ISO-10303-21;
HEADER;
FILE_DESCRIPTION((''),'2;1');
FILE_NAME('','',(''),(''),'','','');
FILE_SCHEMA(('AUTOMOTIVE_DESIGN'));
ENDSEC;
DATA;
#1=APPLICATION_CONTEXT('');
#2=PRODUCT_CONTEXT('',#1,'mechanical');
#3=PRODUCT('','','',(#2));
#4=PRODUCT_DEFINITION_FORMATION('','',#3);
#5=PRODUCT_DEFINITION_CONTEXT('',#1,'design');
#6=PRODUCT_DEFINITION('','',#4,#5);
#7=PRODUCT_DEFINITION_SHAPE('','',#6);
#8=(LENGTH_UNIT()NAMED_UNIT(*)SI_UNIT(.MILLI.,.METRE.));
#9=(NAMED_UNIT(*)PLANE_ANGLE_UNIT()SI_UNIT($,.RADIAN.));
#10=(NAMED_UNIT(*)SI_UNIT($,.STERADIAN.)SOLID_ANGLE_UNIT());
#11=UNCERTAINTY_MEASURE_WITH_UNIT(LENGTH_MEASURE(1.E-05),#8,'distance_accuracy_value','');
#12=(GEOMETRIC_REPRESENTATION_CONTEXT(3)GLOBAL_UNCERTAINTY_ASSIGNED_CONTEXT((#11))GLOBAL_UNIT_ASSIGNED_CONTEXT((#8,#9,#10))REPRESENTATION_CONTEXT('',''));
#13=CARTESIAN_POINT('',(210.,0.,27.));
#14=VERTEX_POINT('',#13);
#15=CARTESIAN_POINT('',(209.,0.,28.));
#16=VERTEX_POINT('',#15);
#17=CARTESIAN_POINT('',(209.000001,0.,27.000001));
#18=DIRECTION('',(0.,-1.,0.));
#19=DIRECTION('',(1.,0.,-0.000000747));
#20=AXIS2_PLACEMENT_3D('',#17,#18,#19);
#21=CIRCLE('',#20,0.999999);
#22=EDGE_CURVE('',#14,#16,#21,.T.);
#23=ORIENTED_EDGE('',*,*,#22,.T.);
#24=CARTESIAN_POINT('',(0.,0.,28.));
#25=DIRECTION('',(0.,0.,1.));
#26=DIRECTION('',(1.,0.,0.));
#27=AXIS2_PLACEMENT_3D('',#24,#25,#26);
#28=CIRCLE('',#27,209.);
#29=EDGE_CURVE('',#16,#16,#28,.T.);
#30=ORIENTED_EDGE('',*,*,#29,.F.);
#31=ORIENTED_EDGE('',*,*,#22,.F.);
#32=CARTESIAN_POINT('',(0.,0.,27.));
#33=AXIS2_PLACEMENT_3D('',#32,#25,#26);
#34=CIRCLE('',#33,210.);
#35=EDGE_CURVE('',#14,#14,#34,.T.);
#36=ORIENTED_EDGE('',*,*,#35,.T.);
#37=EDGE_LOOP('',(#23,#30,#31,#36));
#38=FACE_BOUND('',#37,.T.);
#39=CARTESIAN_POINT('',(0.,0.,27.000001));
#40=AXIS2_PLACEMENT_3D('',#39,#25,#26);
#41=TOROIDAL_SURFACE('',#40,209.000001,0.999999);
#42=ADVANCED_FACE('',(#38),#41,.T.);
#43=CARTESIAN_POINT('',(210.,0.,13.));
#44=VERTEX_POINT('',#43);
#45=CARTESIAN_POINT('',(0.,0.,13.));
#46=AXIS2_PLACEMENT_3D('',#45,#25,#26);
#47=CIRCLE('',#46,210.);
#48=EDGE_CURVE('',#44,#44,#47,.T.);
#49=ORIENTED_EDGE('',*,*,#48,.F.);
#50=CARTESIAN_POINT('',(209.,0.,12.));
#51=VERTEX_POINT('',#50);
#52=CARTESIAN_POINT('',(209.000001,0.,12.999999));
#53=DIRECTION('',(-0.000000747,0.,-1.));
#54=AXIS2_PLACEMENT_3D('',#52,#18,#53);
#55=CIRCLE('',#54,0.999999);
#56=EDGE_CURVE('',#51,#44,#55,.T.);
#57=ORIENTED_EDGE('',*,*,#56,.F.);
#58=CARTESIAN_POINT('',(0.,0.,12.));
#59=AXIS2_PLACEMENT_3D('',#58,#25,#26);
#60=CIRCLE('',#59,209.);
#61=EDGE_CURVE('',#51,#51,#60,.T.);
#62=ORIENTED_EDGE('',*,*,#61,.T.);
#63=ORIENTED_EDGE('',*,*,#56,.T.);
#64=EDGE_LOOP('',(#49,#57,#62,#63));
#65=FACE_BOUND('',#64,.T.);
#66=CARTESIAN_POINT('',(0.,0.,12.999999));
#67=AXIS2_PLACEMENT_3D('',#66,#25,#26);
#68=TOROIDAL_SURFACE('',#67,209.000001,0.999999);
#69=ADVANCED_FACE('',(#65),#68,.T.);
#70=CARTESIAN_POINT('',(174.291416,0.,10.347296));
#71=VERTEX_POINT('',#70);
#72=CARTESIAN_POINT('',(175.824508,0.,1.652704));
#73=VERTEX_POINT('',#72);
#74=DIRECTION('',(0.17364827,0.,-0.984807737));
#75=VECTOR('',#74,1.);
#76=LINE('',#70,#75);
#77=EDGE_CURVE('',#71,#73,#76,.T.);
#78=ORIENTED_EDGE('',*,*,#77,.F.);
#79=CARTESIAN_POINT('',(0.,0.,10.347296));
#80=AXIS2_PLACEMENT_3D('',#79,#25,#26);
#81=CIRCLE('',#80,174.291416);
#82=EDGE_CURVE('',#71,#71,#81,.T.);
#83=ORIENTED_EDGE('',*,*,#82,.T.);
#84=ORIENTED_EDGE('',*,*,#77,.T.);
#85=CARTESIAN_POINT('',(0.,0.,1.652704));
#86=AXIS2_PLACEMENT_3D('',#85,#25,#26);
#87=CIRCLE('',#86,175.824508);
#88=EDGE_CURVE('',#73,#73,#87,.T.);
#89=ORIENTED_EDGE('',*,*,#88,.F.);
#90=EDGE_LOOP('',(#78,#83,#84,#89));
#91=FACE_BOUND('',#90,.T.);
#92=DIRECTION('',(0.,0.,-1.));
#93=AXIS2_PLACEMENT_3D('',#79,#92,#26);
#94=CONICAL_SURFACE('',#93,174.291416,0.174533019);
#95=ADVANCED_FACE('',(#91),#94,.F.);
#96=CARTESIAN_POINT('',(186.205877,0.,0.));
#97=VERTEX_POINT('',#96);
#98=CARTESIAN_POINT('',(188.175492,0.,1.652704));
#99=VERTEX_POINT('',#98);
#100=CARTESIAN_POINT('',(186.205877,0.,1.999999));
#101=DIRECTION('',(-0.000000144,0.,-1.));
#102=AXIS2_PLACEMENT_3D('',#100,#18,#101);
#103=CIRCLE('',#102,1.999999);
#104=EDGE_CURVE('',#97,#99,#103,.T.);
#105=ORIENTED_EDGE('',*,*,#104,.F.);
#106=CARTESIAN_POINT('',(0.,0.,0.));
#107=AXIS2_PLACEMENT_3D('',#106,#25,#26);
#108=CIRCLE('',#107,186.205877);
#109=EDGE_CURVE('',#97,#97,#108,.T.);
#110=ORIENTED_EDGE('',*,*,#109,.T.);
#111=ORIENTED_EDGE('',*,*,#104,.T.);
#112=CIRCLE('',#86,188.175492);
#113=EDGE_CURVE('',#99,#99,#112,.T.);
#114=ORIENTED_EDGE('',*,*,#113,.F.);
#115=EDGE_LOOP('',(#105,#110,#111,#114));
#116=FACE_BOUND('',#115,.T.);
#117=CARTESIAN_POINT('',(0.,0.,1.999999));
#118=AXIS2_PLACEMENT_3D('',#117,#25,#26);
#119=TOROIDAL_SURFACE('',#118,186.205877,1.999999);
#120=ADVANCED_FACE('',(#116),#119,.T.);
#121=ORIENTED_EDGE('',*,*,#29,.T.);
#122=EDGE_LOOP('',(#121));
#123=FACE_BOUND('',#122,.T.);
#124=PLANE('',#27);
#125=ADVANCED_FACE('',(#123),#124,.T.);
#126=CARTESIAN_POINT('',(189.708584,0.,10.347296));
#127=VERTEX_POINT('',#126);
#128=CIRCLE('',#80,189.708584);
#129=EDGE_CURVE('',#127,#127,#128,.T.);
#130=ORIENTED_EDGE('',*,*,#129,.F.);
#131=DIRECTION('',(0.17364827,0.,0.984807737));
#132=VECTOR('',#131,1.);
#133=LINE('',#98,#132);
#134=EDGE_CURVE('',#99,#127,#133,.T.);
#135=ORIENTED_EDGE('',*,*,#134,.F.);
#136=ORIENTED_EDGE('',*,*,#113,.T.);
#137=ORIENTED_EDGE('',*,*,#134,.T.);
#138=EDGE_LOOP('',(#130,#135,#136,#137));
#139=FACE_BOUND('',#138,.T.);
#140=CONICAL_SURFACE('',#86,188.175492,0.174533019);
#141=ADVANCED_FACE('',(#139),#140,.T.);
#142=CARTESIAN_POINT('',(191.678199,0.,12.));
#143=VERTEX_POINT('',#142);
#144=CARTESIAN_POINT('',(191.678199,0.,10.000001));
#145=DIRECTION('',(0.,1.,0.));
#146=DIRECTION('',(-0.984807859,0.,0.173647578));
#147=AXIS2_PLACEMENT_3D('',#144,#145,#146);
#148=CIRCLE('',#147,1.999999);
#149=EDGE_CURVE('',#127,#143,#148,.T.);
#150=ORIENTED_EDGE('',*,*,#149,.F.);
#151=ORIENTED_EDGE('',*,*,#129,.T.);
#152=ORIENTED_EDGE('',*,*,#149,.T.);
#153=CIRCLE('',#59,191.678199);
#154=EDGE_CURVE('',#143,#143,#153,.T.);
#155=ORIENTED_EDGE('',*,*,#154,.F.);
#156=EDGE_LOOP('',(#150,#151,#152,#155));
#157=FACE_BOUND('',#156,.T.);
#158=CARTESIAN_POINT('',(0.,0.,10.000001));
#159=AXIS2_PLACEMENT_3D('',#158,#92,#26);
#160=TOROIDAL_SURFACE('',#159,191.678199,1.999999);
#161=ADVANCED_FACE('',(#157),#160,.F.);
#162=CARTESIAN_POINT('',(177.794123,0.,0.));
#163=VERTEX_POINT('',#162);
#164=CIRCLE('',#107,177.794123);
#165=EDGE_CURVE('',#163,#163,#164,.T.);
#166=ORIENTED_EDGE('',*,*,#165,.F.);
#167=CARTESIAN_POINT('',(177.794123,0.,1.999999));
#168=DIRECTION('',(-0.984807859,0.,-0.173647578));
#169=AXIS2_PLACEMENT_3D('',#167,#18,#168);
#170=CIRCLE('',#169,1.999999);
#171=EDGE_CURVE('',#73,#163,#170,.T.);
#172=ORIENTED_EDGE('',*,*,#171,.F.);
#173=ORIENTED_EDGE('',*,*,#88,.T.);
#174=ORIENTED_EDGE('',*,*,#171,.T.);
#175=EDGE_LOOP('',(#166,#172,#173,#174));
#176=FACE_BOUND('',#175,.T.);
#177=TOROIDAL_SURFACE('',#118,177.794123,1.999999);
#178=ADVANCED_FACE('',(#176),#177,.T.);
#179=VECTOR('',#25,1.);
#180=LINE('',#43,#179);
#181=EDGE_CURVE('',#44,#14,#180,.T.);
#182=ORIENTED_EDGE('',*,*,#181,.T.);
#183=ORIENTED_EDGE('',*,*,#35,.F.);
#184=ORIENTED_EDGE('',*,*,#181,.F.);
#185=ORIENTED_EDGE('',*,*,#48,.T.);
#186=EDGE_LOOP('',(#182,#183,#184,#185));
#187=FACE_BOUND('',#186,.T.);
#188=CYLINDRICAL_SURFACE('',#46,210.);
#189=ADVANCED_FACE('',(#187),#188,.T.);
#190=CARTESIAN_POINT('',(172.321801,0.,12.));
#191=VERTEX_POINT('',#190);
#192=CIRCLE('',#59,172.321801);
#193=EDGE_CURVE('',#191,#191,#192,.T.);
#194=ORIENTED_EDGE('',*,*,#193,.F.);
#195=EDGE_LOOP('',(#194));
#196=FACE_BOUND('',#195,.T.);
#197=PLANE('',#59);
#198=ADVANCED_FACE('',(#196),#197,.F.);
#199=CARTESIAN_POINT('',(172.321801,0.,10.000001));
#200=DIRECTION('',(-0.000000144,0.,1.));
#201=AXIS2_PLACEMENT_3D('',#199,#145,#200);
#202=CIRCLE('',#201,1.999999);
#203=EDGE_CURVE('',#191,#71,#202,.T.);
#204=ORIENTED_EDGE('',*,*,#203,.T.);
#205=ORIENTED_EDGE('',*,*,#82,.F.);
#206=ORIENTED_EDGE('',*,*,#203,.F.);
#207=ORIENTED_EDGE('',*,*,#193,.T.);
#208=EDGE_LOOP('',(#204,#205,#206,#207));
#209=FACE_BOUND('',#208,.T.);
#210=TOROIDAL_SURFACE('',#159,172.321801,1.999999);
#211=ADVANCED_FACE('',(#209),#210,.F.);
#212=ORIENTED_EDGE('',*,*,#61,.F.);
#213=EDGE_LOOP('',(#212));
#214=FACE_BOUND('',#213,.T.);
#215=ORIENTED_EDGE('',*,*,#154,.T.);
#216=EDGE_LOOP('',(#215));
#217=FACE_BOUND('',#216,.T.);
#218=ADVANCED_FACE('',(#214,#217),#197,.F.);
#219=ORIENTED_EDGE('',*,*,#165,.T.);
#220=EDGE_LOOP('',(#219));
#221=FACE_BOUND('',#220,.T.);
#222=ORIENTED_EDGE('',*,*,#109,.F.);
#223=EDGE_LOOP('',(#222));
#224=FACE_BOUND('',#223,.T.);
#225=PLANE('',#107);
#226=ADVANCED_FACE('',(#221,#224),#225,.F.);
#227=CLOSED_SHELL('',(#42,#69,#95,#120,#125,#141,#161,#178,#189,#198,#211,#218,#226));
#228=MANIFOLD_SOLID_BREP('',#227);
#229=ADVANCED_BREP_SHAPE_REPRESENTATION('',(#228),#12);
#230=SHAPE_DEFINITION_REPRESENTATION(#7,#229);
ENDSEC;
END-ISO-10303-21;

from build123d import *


with BuildPart() as f1:
    # F0 (on Front) → F1 (revolve)
    with BuildSketch(Plane.XZ):
        with BuildLine():
            ThreePointArc((210, 27), (209.707107, 27.707107), (209, 28))
            Line((209, 28), (0, 28))
            Line((0, 28), (0, 12))
            Line((0, 12), (172.321801, 12))
            ThreePointArc((172.321801, 12), (173.607376, 11.532089), (174.291416, 10.347296))
            Line((174.291416, 10.347296), (175.824508, 1.652704))
            ThreePointArc((175.824508, 1.652704), (176.508548, 0.467911), (177.794123, 0))
            Line((177.794123, 0), (186.205877, 0))
            ThreePointArc((186.205877, 0), (187.491452, 0.467911), (188.175492, 1.652704))
            Line((188.175492, 1.652704), (189.708584, 10.347296))
            ThreePointArc((189.708584, 10.347296), (190.392624, 11.532089), (191.678199, 12))
            Line((191.678199, 12), (209, 12))
            ThreePointArc((209, 12), (209.707107, 12.292893), (210, 13))
            Line((210, 13), (210, 27))
        make_face()
    revolve(axis=Axis((0, 0, 14), (0, 0, 1)))


solid = f1.part
